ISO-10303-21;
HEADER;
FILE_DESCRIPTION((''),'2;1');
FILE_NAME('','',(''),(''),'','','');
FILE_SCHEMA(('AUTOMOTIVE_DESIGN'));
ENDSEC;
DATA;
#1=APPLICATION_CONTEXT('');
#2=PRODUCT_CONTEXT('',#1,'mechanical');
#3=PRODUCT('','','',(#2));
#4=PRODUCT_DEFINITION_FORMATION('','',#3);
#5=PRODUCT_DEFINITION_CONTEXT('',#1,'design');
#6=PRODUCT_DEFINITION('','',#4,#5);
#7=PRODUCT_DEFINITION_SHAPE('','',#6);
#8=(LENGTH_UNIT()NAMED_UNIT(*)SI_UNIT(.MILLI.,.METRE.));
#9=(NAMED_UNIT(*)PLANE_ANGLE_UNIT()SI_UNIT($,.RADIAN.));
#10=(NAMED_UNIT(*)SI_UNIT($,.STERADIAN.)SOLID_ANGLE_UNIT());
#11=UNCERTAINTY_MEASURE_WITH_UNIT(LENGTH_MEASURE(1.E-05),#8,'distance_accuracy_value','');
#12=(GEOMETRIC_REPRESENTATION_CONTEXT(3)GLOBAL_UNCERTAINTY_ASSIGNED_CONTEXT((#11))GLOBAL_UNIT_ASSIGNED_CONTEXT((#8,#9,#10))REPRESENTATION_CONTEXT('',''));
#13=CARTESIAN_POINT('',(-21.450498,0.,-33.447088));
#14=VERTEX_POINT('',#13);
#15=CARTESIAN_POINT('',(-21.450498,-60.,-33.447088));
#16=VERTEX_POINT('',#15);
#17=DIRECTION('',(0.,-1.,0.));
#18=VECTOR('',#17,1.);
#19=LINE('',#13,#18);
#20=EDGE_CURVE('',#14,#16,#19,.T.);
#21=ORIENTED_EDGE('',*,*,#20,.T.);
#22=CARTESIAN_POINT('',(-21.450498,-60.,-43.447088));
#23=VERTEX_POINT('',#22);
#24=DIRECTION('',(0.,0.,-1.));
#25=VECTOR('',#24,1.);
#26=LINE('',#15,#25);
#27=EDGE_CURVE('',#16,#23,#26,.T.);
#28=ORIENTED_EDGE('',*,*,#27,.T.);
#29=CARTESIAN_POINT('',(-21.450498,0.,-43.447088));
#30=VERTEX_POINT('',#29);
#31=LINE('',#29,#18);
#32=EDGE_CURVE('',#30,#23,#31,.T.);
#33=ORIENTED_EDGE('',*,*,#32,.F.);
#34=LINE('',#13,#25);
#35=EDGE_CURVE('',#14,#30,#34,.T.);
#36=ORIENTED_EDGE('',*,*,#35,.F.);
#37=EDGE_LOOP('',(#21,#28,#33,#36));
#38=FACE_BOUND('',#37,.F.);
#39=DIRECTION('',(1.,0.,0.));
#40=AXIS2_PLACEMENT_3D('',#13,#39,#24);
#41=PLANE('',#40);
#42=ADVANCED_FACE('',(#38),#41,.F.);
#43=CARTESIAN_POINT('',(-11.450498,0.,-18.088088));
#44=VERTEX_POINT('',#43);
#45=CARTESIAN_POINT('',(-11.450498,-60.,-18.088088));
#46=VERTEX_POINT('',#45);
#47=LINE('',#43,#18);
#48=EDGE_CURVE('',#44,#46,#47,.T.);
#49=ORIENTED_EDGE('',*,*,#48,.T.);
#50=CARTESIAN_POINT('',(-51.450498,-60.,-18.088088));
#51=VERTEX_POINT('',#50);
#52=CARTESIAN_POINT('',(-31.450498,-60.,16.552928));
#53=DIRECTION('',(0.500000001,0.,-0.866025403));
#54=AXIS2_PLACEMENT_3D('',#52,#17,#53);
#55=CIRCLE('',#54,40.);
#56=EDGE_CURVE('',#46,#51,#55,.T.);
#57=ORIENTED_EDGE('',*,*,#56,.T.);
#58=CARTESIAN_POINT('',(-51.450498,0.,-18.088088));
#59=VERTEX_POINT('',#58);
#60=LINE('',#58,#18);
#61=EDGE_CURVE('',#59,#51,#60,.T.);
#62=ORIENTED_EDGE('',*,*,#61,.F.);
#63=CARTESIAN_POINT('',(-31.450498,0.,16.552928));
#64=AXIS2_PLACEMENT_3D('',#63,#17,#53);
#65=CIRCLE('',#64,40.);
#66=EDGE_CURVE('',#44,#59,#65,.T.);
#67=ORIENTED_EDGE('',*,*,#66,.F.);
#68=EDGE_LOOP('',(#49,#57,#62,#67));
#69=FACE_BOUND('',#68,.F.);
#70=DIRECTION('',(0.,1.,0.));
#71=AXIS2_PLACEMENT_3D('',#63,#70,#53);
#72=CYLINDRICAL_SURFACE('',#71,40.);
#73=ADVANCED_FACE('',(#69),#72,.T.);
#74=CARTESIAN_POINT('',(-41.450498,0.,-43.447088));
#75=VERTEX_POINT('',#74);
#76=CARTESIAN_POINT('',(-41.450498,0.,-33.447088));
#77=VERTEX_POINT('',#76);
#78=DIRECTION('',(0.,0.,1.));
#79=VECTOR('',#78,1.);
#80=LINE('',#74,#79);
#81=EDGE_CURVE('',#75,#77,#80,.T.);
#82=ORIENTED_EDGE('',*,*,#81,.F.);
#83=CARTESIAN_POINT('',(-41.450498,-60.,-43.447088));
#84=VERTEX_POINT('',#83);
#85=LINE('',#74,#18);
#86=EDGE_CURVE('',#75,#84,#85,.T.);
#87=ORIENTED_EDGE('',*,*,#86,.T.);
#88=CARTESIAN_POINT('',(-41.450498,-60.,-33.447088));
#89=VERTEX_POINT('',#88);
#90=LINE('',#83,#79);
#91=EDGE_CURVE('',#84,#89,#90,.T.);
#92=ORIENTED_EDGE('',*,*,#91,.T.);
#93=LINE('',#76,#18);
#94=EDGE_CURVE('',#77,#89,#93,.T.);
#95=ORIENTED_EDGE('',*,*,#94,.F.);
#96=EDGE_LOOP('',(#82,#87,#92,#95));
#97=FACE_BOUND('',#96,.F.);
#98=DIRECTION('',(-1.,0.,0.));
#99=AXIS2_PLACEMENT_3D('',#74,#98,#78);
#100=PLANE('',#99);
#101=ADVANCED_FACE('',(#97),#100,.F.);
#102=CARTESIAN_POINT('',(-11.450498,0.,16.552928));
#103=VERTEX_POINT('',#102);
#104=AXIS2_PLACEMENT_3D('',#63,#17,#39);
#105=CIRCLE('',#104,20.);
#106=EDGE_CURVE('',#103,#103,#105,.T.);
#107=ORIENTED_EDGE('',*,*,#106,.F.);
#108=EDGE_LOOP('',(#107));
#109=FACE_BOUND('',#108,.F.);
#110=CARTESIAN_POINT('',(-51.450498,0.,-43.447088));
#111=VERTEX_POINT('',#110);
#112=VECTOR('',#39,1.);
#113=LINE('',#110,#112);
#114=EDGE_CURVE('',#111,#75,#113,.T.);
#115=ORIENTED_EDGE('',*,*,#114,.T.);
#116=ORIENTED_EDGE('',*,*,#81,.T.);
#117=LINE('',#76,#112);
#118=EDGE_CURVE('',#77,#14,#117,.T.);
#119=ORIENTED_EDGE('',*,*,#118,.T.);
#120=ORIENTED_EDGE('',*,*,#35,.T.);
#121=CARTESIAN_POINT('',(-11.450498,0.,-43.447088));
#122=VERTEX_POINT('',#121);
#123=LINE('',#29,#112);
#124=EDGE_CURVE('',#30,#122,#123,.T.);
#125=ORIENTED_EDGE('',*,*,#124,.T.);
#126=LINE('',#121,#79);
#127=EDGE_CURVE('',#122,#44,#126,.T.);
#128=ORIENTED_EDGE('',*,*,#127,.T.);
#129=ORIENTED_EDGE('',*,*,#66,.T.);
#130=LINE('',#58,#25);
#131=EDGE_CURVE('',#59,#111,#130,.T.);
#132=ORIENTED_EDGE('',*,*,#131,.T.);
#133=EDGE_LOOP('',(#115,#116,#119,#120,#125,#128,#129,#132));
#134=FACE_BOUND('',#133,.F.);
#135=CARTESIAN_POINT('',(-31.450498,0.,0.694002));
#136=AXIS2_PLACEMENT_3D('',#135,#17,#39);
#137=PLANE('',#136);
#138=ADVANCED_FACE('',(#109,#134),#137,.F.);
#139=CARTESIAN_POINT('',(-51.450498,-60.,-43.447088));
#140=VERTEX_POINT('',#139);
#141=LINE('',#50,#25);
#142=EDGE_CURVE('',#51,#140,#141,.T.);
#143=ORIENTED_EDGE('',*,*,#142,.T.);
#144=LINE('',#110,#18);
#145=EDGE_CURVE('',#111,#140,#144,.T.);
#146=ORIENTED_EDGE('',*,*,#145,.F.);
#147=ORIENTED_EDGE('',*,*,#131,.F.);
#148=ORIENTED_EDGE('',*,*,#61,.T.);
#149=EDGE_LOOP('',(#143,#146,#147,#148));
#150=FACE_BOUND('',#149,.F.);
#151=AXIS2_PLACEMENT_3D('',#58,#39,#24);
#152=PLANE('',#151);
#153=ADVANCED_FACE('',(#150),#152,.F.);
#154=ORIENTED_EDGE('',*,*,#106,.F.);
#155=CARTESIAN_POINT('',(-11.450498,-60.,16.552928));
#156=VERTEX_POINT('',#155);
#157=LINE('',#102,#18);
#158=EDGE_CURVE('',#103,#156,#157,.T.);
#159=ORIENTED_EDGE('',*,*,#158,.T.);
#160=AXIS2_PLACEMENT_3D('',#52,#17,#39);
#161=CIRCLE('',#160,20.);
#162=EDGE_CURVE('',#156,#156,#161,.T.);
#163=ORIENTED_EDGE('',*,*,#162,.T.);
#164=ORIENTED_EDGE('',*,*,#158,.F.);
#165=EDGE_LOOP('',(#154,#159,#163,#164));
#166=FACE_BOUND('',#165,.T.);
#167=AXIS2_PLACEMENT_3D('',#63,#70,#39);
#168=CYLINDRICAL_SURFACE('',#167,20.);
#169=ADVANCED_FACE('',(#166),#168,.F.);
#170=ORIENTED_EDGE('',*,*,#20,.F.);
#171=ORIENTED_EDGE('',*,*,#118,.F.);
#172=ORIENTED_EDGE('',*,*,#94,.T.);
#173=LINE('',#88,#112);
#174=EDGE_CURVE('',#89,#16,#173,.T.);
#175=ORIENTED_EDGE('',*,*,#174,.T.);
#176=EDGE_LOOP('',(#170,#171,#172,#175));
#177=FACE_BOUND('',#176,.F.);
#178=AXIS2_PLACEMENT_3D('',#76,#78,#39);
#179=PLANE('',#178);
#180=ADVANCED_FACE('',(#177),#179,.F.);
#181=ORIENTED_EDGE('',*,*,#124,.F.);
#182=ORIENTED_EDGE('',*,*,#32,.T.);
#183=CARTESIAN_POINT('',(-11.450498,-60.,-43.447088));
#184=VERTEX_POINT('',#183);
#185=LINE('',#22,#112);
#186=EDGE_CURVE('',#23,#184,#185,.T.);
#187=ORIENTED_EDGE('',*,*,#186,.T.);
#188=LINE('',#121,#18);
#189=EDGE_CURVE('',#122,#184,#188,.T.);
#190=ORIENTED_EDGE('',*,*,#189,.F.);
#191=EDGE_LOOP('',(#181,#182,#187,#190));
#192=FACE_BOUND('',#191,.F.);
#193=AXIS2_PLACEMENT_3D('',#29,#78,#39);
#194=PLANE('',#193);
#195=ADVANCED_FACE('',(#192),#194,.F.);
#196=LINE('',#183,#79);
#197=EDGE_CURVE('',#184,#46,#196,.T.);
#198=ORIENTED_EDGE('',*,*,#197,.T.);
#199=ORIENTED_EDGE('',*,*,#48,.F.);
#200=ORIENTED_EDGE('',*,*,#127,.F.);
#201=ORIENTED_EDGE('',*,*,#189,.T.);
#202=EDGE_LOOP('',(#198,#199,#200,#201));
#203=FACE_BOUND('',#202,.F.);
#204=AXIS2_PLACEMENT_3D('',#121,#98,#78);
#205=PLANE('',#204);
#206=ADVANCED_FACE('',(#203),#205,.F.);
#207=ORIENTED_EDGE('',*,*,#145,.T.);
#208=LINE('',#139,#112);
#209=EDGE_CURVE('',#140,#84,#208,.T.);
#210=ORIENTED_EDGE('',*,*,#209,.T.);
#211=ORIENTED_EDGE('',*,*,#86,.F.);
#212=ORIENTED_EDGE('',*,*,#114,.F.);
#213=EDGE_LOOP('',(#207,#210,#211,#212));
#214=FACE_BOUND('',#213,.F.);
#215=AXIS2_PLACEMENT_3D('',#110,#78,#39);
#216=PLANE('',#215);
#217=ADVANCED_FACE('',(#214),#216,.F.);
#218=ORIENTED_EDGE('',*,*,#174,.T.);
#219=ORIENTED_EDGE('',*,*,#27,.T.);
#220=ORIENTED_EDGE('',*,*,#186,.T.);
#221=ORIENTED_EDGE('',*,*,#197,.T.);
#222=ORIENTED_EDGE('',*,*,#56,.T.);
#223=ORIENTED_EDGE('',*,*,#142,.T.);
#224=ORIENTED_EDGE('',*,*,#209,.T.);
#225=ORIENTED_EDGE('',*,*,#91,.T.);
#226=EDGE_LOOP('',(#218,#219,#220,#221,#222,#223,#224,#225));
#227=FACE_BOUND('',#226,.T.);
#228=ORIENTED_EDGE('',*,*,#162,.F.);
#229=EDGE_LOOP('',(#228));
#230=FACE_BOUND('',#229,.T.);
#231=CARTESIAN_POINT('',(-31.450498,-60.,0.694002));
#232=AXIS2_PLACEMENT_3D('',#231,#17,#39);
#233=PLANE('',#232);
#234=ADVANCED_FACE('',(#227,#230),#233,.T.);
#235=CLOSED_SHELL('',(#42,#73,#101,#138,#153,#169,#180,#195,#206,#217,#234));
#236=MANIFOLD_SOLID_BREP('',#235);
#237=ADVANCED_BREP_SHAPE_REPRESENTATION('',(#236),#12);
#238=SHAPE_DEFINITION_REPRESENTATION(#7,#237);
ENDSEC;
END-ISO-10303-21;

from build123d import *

# Parameters (mm, degrees)
F0_R     = 20
F1_DEPTH = 60


with BuildPart() as f1:
    # F0 (on Front) → F1 (new body)
    with BuildSketch(Plane.XZ):
        with BuildLine():
            Line((-51.450498, -23.447088), (-51.450498, -43.447088))
            Line((-51.450498, -43.447088), (-41.450498, -43.447088))
            Line((-41.450498, -43.447088), (-41.450498, -33.447088))
            Line((-41.450498, -33.447088), (-21.450498, -33.447088))
            Line((-21.450498, -33.447088), (-21.450498, -43.447088))
            Line((-21.450498, -43.447088), (-11.450498, -43.447088))
            Line((-11.450498, -43.447088), (-11.450498, -23.447088))
            Line((-11.450498, -23.447088), (-11.450498, -18.088088))
            ThreePointArc((-11.450498, -18.088088), (-31.450498, 56.552928), (-51.450498, -18.088088))
            Line((-51.450498, -18.088088), (-51.450498, -23.447088))
        make_face()
        with Locations((-31.450498, 16.552928)):
            Circle(F0_R, mode=Mode.SUBTRACT)
    extrude(amount=F1_DEPTH)


solid = f1.part
